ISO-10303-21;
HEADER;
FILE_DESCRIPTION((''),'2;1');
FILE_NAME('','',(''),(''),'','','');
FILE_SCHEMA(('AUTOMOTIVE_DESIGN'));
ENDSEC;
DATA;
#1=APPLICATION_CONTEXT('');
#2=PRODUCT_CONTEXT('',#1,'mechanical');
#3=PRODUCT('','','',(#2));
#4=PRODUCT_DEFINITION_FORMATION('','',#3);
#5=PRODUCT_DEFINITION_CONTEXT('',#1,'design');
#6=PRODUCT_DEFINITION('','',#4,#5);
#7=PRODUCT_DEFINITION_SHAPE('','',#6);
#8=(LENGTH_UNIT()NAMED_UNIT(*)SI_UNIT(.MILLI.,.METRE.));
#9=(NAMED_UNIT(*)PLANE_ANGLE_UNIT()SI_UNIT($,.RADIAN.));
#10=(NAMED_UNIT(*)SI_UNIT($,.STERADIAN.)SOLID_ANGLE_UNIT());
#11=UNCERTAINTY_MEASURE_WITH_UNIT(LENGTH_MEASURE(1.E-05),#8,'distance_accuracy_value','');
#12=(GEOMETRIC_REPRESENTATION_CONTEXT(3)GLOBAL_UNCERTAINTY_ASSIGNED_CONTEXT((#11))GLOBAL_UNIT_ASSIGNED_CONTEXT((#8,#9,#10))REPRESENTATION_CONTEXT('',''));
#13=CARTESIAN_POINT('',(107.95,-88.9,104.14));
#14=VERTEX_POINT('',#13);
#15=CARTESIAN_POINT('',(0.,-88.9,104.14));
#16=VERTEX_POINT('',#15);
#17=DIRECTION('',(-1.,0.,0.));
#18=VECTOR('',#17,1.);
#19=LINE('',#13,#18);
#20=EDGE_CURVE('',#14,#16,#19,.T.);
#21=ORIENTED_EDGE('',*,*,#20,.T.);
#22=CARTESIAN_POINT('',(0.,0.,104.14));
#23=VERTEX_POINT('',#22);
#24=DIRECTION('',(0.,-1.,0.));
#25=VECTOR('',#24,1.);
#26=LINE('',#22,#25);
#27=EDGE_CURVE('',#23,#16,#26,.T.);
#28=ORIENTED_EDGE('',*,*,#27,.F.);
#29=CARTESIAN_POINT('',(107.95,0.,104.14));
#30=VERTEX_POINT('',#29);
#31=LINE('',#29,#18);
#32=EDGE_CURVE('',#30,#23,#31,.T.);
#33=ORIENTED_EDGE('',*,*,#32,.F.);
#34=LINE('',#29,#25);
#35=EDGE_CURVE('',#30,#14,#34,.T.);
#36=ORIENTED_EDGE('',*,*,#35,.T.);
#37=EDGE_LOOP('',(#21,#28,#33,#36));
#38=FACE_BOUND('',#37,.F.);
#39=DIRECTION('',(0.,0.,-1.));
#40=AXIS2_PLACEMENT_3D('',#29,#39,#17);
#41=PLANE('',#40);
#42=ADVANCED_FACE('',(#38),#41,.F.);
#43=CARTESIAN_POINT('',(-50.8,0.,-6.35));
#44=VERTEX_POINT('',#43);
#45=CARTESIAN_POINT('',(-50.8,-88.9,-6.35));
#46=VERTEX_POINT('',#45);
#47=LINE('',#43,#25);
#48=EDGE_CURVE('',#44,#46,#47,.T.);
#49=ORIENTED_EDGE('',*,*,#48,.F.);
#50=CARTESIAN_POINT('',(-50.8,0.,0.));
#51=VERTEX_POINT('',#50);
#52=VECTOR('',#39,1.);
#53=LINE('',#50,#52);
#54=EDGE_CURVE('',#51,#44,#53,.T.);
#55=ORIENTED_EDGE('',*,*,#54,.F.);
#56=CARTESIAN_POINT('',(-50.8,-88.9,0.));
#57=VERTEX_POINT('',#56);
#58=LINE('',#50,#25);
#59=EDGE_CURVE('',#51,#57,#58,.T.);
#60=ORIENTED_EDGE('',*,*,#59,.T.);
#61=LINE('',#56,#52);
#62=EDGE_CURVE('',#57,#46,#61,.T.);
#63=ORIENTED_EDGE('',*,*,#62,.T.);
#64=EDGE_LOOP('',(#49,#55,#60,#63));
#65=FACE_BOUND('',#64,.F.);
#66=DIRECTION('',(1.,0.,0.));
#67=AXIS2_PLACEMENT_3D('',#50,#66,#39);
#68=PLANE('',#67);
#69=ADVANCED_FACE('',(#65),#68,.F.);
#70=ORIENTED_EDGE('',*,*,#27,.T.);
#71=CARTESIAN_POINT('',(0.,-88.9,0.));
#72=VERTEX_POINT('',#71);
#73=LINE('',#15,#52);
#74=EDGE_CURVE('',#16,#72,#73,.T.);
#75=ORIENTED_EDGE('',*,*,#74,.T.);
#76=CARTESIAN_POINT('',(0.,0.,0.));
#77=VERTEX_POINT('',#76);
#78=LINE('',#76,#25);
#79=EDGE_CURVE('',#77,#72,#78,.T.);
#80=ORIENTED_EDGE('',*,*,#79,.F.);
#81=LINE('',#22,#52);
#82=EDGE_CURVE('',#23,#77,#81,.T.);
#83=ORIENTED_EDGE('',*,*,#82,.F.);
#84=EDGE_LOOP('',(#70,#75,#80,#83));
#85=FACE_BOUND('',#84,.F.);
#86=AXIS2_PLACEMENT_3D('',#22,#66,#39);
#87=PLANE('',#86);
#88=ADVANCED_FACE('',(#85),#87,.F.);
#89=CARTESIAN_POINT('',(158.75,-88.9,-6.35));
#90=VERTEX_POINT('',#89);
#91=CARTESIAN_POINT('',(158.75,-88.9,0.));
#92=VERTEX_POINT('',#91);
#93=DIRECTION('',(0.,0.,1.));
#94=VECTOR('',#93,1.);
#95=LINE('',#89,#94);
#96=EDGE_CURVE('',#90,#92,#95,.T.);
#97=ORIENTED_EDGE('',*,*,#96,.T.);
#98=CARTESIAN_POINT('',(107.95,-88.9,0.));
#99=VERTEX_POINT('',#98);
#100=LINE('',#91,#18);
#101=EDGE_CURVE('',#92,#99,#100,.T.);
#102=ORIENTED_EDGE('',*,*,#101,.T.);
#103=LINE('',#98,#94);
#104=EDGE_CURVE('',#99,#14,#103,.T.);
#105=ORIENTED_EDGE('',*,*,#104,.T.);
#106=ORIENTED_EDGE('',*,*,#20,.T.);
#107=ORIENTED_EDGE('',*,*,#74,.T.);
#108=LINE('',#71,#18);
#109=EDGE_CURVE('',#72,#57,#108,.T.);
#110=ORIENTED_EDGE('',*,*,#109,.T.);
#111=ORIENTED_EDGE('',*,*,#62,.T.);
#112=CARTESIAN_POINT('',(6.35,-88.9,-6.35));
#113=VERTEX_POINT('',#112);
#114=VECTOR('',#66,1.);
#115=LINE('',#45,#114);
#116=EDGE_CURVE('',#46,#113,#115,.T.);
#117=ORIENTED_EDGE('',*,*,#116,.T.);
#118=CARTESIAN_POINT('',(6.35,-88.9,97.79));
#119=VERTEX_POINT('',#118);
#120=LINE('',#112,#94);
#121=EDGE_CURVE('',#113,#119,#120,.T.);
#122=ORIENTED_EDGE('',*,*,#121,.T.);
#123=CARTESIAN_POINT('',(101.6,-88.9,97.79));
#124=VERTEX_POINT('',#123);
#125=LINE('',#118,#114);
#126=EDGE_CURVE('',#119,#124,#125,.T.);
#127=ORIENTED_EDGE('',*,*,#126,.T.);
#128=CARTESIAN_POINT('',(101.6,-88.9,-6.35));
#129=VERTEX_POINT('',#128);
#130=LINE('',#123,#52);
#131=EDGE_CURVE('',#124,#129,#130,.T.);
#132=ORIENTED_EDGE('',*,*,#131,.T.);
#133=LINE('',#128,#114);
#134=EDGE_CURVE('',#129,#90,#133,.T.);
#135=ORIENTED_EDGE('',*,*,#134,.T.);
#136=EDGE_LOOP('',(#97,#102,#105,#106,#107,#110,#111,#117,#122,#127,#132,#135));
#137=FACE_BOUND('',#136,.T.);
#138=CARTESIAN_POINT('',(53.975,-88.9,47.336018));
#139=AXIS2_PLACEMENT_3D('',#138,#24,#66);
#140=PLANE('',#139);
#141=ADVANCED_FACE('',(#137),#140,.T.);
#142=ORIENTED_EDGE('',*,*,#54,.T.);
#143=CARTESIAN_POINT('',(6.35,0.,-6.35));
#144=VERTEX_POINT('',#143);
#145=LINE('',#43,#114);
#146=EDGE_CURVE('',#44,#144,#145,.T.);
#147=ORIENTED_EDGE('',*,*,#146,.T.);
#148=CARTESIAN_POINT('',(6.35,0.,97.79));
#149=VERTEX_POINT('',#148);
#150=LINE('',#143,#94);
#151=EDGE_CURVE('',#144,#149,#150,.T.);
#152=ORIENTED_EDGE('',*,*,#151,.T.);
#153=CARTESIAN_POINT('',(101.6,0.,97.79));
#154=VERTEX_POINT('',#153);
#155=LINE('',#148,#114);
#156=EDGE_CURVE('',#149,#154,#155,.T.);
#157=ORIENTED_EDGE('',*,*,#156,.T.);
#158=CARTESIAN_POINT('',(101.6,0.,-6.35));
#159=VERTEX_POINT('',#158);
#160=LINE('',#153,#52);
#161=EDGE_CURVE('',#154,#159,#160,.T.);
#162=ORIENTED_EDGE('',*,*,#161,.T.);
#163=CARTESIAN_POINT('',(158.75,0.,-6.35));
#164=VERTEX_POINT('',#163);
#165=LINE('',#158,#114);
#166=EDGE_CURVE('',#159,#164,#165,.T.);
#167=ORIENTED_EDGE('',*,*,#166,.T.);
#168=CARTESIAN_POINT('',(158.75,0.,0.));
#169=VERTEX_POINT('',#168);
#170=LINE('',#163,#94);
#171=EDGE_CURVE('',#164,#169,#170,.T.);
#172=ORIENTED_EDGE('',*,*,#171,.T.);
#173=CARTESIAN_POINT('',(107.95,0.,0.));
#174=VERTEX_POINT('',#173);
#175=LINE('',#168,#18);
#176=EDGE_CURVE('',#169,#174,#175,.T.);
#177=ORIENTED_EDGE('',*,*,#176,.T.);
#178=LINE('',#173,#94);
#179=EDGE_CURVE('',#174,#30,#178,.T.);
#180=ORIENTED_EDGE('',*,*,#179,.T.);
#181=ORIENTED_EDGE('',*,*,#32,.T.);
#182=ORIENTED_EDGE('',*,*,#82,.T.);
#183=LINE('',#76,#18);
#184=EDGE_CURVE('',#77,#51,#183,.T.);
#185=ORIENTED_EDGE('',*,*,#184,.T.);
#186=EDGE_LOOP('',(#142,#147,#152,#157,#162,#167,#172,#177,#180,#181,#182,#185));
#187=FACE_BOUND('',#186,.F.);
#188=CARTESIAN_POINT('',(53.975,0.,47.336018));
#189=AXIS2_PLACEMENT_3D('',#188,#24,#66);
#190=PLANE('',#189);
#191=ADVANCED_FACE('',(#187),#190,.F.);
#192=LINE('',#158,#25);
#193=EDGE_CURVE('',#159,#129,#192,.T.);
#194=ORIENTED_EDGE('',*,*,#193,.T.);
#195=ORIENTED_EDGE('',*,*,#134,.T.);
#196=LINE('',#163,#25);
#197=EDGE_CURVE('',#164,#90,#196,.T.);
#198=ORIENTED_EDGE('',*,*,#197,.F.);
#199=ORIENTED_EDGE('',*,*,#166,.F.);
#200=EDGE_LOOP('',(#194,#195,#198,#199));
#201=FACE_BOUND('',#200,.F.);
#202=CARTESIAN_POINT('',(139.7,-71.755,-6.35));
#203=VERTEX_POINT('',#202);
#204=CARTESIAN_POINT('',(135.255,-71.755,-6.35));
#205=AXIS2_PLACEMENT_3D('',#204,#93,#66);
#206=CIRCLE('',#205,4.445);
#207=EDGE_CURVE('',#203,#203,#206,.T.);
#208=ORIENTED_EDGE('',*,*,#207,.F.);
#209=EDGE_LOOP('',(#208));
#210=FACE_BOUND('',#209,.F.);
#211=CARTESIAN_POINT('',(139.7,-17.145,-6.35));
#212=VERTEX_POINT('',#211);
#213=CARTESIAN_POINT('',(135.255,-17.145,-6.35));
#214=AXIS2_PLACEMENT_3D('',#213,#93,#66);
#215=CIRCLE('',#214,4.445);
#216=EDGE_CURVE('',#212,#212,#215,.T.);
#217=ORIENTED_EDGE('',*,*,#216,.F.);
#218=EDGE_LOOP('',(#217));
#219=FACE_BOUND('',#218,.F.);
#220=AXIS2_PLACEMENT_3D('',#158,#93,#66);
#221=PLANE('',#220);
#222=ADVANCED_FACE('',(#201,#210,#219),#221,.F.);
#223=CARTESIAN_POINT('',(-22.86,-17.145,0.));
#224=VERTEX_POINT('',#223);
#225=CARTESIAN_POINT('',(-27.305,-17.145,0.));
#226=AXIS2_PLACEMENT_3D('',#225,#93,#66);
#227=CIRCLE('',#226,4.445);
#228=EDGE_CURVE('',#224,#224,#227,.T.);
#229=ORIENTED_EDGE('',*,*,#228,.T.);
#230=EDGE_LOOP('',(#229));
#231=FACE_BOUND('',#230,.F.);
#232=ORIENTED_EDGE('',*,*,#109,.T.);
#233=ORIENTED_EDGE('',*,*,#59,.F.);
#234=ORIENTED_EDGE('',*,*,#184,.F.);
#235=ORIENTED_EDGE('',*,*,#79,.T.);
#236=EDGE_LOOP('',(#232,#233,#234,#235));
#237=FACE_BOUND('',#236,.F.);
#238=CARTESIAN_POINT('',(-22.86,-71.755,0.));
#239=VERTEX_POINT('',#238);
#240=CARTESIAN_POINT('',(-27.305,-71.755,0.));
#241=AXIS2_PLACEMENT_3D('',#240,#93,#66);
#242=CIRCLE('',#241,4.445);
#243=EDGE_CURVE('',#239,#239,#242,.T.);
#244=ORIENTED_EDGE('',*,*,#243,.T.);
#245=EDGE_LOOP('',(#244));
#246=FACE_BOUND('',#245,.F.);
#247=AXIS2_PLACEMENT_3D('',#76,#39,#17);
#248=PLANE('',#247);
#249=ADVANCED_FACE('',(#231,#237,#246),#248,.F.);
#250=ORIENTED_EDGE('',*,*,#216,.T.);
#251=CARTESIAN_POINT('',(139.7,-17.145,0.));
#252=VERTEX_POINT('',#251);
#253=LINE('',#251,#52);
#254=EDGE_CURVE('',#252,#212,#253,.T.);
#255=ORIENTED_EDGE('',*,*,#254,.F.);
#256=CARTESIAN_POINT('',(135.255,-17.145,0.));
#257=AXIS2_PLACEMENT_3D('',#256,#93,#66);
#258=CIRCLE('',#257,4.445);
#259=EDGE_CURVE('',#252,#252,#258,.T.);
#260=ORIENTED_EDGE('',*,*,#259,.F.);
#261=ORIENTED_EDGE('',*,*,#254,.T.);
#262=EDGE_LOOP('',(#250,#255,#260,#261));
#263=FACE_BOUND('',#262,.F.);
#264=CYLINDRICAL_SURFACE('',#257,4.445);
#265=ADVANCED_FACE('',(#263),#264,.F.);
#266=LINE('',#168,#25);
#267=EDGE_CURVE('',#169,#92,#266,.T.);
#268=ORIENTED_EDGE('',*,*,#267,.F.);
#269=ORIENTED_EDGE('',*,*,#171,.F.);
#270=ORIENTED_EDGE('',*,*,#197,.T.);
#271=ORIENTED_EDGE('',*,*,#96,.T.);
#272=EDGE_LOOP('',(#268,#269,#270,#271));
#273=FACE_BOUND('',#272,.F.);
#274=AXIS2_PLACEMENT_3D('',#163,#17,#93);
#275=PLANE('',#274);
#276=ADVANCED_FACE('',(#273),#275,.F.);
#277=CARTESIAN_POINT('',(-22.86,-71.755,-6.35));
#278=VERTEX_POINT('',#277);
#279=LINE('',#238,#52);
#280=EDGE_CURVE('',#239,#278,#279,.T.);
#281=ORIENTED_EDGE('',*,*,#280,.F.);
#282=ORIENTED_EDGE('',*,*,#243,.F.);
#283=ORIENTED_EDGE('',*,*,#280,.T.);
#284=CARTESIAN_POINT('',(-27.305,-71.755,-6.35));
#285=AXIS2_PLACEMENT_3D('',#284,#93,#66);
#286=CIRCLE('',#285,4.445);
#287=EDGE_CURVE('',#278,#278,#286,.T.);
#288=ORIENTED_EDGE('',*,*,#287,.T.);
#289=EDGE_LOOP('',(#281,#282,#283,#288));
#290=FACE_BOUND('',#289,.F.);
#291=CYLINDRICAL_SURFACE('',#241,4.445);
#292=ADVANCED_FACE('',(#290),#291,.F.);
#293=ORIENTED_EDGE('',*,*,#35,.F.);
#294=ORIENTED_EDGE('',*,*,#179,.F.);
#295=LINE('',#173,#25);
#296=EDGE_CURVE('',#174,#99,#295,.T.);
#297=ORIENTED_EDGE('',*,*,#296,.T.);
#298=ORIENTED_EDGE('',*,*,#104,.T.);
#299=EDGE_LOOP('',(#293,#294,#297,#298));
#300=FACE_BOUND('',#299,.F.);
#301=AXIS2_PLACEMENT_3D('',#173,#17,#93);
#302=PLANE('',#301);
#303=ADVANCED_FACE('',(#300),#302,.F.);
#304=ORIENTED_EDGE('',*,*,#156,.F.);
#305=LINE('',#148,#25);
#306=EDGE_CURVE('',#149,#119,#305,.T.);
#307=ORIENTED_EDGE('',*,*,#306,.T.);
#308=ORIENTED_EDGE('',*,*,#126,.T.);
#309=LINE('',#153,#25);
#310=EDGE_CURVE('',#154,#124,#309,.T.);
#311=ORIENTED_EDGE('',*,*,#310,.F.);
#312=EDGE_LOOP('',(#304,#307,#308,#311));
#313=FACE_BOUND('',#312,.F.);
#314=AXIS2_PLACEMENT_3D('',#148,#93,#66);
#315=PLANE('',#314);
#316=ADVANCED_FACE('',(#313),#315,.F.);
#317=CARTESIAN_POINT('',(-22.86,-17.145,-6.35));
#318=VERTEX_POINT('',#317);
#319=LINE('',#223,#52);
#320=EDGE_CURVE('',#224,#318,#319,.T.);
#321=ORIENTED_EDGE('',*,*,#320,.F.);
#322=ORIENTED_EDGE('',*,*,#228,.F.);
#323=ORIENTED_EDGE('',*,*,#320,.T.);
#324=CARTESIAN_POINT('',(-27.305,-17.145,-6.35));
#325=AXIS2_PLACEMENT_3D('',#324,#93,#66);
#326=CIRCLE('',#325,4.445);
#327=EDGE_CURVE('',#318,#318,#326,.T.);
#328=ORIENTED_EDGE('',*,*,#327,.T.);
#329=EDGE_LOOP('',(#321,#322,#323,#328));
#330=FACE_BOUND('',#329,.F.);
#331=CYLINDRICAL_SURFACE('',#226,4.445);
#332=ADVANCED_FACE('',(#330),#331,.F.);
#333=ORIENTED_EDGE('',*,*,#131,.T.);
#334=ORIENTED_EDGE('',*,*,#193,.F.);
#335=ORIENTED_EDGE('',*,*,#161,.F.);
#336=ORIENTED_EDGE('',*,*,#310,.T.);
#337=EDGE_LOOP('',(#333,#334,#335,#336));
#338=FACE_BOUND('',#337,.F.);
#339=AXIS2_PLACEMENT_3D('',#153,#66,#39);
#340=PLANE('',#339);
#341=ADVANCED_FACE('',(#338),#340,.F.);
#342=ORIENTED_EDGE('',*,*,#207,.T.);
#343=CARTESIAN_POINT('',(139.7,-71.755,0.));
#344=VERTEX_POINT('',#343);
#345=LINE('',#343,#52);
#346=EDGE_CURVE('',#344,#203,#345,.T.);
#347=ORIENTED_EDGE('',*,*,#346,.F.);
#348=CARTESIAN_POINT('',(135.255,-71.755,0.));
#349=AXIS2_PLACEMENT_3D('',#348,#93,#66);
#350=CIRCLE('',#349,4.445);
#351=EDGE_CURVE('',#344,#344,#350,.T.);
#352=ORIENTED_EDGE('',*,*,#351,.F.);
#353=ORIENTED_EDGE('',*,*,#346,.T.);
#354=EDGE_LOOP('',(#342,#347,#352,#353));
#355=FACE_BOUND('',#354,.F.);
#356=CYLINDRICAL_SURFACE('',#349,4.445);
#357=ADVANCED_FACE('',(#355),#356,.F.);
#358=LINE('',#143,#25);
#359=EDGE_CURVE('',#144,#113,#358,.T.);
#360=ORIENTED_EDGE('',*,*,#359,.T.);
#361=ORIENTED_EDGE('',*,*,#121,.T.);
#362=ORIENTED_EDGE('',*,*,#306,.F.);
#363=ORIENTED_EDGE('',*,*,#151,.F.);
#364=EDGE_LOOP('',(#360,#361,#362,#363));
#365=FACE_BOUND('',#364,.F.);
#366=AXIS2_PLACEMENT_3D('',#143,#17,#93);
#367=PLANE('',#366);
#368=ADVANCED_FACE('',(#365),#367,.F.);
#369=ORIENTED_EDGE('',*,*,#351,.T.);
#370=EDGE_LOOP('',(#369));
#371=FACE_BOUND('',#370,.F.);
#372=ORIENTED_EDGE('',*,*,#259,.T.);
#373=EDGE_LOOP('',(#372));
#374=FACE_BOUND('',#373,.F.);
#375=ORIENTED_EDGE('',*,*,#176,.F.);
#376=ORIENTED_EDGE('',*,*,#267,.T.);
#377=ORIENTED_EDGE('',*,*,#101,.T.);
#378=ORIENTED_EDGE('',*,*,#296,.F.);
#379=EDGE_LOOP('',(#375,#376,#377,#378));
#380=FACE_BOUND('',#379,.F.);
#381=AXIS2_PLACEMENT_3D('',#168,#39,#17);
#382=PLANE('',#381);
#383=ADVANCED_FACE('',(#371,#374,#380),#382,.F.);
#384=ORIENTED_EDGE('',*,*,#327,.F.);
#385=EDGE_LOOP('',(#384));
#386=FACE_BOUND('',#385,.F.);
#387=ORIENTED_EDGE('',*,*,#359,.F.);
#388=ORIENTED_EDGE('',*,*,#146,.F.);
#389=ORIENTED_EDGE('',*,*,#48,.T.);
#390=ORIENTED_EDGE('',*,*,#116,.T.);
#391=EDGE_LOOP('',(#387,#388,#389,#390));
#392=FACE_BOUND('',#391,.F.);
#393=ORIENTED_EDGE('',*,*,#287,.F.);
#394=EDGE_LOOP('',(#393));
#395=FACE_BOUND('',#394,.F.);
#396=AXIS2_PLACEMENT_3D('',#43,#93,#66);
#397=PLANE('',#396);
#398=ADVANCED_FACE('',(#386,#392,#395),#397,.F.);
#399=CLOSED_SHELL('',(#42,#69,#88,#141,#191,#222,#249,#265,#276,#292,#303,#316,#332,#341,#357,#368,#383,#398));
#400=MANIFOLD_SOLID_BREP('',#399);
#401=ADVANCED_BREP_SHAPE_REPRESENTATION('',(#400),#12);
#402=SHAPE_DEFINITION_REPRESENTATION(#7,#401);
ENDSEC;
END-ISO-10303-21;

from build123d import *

# Parameters (mm, degrees)
F1_DEPTH = 88.9
F2_R     = 4.445
F3_DEPTH = 6.351


with BuildPart() as f1:
    # F0 (on Front) → F1 (new body)
    with BuildSketch(Plane.XZ):
        Polygon((0, 104.14), (0, 0), (-50.8, 0), (-50.8, -6.35), (6.35, -6.35), (6.35, 0), (6.35, 97.79), (101.6, 97.79), (101.6, 0), (101.6, -6.35), (158.75, -6.35), (158.75, 0), (107.95, 0), (107.95, 75.717971), (107.95, 104.14), align=None)
    extrude(amount=F1_DEPTH)

    # F2 (on face) → F3 (cut, through all)
    with BuildSketch(Plane.XY):
        with Locations((-27.305, -17.145)):
            Circle(F2_R)
        with Locations((-27.305, -71.755)):
            Circle(F2_R)
        with Locations((135.255, -71.755)):
            Circle(F2_R)
        with Locations((135.255, -17.145)):
            Circle(F2_R)
    extrude(amount=-F3_DEPTH, mode=Mode.SUBTRACT)


solid = f1.part
